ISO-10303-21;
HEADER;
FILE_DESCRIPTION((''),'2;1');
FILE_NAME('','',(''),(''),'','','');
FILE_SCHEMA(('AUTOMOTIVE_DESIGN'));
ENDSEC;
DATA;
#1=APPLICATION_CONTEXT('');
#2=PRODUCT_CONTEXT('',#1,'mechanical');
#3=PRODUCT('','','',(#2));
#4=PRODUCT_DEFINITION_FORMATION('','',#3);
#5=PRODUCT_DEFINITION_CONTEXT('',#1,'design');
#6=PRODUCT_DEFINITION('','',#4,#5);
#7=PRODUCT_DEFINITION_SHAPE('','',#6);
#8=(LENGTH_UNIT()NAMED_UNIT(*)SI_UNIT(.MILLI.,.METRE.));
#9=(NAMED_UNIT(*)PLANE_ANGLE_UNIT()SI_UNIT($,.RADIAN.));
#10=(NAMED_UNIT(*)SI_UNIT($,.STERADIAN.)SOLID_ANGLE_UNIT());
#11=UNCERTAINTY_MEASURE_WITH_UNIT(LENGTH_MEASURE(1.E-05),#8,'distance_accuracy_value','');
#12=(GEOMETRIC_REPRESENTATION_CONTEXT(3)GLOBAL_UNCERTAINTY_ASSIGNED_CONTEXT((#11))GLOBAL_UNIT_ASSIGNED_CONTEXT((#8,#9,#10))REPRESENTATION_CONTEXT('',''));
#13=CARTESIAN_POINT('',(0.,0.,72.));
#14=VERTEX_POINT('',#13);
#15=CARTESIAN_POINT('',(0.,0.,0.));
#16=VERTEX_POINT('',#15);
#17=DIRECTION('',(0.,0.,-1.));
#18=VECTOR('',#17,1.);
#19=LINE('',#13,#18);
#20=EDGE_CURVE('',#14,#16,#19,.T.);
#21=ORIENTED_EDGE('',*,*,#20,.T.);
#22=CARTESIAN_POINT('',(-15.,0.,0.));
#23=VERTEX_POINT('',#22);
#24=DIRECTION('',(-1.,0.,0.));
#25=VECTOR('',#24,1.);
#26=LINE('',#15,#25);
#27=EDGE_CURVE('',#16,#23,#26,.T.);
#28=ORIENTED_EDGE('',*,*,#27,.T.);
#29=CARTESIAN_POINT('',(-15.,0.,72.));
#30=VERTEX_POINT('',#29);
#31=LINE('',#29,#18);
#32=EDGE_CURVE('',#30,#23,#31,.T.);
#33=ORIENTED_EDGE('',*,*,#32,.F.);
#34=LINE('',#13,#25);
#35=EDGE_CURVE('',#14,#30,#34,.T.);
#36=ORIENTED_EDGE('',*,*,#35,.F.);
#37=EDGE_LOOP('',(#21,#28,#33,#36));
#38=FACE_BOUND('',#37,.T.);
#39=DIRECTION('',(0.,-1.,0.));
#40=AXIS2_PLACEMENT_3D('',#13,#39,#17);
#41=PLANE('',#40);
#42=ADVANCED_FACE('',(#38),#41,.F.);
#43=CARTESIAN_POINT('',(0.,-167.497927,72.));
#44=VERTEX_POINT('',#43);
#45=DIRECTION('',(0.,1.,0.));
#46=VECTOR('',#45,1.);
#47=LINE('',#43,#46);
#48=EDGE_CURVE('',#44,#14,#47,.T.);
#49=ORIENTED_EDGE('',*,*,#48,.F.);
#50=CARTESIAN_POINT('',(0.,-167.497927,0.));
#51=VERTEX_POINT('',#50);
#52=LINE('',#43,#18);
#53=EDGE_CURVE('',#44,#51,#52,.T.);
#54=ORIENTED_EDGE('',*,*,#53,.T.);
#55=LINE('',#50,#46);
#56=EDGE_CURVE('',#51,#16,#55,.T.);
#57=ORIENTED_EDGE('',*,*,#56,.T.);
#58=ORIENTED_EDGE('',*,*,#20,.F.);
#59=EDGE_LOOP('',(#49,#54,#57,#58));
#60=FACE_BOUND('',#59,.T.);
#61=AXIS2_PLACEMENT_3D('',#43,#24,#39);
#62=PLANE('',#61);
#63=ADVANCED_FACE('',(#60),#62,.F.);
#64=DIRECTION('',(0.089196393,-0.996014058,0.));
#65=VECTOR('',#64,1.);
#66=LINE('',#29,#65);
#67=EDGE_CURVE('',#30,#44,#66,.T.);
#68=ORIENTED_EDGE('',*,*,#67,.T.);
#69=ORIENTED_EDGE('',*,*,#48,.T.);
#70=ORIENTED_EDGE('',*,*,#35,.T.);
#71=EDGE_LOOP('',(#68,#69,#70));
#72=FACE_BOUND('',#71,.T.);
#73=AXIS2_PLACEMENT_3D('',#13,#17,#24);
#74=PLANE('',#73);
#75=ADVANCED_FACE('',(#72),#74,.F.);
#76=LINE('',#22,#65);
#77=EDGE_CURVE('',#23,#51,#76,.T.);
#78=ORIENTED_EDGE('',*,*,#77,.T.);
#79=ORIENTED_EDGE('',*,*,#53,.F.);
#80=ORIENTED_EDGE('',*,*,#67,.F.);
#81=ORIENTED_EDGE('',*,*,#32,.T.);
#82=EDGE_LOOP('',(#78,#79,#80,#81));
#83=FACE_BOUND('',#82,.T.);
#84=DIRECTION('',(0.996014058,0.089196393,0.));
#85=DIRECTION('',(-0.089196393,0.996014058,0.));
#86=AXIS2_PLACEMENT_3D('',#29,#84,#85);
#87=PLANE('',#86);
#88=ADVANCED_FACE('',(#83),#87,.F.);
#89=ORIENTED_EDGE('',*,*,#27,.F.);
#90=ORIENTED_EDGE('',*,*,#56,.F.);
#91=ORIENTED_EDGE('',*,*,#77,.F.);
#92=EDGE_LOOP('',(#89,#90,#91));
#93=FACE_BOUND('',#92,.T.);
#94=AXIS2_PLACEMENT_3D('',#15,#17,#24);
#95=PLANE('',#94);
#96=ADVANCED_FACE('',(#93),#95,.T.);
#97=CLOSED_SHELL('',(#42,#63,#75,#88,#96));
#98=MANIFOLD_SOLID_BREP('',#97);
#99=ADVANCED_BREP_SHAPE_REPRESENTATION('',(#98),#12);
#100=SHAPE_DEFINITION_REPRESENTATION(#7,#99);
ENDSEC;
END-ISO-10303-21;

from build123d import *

# Parameters (mm, degrees)
BOSS_EXTRUDE1_DEPTH = 72


with BuildPart() as part:
    # Sketch1 → Boss-Extrude1 (new body)
    with BuildSketch(Plane.XY):
        Polygon((-15, 0), (0, -167.497927019), (0, 0), align=None)
    extrude(amount=BOSS_EXTRUDE1_DEPTH)


solid = part.part
